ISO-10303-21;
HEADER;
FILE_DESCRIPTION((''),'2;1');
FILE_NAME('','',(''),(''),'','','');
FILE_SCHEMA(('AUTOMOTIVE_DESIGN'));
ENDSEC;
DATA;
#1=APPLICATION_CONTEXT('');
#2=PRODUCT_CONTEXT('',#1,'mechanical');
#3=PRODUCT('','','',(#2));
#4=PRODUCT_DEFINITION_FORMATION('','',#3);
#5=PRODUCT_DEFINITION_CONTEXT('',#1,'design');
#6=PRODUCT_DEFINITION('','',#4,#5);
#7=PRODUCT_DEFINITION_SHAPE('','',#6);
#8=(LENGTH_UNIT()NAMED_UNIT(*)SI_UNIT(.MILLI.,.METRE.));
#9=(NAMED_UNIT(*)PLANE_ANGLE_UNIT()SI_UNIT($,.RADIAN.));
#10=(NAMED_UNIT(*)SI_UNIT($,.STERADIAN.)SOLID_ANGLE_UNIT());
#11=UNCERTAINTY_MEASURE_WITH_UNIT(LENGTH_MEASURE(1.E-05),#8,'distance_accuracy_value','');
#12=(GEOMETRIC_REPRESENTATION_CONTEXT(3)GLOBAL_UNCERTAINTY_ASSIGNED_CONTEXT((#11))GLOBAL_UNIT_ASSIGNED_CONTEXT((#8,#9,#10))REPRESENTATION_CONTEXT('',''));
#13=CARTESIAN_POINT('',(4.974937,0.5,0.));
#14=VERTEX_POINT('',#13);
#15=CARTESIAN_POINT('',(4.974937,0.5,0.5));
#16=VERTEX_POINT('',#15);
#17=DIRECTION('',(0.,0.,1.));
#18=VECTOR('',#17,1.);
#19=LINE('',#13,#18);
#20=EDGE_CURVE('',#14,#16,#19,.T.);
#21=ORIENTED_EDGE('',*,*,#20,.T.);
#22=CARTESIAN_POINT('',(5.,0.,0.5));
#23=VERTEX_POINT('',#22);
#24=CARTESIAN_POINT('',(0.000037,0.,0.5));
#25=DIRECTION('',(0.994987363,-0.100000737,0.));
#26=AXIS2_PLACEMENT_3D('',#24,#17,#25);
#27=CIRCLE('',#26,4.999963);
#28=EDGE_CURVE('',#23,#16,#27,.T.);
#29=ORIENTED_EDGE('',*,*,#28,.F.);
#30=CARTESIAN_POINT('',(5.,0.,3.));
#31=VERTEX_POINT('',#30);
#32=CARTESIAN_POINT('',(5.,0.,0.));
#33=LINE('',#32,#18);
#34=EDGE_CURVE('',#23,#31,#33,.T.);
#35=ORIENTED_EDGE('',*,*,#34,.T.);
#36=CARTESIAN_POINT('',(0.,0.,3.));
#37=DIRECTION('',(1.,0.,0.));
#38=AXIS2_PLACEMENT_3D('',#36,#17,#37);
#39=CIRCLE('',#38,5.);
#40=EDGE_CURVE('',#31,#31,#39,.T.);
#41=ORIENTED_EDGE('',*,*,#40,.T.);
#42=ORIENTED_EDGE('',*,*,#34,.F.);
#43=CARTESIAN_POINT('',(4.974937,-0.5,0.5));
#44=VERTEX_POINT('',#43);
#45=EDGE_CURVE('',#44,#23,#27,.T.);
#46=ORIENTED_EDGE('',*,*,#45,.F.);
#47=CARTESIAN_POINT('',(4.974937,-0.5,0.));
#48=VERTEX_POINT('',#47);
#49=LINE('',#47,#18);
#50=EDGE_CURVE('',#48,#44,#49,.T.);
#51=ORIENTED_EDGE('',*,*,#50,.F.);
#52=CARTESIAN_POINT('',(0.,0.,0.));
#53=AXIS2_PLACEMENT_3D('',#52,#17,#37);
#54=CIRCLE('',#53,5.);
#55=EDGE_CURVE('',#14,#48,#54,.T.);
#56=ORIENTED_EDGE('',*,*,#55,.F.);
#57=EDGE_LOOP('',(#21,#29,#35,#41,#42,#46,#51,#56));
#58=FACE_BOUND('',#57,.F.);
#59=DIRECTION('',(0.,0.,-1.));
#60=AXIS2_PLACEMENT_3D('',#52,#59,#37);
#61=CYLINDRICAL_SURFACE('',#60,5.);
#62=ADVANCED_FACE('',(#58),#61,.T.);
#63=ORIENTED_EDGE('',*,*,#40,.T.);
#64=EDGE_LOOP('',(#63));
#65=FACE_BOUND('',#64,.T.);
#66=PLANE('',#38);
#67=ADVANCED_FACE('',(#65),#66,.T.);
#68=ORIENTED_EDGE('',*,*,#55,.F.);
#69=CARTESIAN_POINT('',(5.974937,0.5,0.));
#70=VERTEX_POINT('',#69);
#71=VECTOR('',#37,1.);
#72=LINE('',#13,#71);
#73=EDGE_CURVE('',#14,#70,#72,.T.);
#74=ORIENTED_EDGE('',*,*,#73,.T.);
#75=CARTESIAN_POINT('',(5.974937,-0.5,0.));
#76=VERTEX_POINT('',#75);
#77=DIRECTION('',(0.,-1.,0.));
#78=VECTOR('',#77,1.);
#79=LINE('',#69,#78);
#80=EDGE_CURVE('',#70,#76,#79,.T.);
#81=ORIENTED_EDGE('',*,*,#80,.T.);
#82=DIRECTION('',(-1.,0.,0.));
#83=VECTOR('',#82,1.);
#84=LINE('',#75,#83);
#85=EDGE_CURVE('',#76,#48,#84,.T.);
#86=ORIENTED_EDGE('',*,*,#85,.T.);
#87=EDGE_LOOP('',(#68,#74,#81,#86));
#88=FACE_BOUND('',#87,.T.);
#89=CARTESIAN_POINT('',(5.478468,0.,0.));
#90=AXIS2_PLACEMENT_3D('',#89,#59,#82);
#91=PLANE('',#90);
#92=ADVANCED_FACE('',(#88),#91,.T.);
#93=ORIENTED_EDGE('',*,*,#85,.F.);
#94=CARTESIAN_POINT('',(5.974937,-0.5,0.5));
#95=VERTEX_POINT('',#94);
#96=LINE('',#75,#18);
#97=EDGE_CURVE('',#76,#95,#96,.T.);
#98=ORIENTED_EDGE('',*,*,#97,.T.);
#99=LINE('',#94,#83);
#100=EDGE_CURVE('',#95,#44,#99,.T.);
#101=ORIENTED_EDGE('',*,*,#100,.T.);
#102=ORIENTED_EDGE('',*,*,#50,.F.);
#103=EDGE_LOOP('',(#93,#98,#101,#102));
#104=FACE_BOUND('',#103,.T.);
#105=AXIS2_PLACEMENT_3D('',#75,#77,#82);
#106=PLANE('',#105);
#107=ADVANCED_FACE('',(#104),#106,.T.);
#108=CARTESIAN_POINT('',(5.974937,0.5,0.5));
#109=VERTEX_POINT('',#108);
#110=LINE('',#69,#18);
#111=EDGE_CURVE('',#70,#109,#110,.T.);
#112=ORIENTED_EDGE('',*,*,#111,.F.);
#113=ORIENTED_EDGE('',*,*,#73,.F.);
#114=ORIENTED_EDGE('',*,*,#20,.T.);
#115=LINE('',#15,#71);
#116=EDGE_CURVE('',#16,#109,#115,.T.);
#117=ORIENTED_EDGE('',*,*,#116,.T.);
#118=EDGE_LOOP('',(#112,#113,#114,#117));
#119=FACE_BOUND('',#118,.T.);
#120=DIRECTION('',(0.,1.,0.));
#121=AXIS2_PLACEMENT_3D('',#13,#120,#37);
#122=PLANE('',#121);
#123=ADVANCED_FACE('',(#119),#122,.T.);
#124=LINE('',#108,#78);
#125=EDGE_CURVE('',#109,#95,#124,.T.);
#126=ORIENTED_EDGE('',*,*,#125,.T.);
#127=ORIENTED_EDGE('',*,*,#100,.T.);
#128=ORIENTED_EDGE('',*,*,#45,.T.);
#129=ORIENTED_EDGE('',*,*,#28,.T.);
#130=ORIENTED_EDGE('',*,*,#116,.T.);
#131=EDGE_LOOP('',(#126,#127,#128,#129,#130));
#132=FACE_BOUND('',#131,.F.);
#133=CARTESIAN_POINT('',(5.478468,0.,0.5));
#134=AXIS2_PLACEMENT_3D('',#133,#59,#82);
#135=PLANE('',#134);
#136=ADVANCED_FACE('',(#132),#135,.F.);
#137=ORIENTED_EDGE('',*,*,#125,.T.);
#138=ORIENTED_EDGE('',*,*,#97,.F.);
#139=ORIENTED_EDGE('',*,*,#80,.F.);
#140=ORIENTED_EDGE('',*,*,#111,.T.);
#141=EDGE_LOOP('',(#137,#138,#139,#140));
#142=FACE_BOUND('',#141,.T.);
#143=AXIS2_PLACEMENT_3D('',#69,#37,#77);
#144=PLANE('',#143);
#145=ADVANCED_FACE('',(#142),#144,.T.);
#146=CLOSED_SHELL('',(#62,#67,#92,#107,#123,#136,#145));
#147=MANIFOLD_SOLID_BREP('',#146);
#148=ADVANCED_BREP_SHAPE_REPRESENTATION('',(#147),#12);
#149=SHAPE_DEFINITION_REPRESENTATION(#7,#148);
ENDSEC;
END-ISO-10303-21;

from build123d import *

# Parameters (mm, degrees)
SKETCH_R     = 5
PAD_DEPTH    = 3
PAD001_DEPTH = 0.5


with BuildPart() as part:
    # Sketch → Pad (new body)
    with BuildSketch(Plane.XY):
        Circle(SKETCH_R)
    extrude(amount=PAD_DEPTH)

    # Sketch001 → Pad001 (join)
    with BuildSketch(Plane.XY):
        with BuildLine():
            Line((4.974937, 0.5), (5.974937, 0.5))
            Line((5.974937, 0.5), (5.974937, -0.5))
            Line((5.974937, -0.5), (4.974937, -0.5))
            ThreePointArc((4.974937, -0.5), (5, 0), (4.974937, 0.5))
        make_face()
    extrude(amount=PAD001_DEPTH)


solid = part.part
